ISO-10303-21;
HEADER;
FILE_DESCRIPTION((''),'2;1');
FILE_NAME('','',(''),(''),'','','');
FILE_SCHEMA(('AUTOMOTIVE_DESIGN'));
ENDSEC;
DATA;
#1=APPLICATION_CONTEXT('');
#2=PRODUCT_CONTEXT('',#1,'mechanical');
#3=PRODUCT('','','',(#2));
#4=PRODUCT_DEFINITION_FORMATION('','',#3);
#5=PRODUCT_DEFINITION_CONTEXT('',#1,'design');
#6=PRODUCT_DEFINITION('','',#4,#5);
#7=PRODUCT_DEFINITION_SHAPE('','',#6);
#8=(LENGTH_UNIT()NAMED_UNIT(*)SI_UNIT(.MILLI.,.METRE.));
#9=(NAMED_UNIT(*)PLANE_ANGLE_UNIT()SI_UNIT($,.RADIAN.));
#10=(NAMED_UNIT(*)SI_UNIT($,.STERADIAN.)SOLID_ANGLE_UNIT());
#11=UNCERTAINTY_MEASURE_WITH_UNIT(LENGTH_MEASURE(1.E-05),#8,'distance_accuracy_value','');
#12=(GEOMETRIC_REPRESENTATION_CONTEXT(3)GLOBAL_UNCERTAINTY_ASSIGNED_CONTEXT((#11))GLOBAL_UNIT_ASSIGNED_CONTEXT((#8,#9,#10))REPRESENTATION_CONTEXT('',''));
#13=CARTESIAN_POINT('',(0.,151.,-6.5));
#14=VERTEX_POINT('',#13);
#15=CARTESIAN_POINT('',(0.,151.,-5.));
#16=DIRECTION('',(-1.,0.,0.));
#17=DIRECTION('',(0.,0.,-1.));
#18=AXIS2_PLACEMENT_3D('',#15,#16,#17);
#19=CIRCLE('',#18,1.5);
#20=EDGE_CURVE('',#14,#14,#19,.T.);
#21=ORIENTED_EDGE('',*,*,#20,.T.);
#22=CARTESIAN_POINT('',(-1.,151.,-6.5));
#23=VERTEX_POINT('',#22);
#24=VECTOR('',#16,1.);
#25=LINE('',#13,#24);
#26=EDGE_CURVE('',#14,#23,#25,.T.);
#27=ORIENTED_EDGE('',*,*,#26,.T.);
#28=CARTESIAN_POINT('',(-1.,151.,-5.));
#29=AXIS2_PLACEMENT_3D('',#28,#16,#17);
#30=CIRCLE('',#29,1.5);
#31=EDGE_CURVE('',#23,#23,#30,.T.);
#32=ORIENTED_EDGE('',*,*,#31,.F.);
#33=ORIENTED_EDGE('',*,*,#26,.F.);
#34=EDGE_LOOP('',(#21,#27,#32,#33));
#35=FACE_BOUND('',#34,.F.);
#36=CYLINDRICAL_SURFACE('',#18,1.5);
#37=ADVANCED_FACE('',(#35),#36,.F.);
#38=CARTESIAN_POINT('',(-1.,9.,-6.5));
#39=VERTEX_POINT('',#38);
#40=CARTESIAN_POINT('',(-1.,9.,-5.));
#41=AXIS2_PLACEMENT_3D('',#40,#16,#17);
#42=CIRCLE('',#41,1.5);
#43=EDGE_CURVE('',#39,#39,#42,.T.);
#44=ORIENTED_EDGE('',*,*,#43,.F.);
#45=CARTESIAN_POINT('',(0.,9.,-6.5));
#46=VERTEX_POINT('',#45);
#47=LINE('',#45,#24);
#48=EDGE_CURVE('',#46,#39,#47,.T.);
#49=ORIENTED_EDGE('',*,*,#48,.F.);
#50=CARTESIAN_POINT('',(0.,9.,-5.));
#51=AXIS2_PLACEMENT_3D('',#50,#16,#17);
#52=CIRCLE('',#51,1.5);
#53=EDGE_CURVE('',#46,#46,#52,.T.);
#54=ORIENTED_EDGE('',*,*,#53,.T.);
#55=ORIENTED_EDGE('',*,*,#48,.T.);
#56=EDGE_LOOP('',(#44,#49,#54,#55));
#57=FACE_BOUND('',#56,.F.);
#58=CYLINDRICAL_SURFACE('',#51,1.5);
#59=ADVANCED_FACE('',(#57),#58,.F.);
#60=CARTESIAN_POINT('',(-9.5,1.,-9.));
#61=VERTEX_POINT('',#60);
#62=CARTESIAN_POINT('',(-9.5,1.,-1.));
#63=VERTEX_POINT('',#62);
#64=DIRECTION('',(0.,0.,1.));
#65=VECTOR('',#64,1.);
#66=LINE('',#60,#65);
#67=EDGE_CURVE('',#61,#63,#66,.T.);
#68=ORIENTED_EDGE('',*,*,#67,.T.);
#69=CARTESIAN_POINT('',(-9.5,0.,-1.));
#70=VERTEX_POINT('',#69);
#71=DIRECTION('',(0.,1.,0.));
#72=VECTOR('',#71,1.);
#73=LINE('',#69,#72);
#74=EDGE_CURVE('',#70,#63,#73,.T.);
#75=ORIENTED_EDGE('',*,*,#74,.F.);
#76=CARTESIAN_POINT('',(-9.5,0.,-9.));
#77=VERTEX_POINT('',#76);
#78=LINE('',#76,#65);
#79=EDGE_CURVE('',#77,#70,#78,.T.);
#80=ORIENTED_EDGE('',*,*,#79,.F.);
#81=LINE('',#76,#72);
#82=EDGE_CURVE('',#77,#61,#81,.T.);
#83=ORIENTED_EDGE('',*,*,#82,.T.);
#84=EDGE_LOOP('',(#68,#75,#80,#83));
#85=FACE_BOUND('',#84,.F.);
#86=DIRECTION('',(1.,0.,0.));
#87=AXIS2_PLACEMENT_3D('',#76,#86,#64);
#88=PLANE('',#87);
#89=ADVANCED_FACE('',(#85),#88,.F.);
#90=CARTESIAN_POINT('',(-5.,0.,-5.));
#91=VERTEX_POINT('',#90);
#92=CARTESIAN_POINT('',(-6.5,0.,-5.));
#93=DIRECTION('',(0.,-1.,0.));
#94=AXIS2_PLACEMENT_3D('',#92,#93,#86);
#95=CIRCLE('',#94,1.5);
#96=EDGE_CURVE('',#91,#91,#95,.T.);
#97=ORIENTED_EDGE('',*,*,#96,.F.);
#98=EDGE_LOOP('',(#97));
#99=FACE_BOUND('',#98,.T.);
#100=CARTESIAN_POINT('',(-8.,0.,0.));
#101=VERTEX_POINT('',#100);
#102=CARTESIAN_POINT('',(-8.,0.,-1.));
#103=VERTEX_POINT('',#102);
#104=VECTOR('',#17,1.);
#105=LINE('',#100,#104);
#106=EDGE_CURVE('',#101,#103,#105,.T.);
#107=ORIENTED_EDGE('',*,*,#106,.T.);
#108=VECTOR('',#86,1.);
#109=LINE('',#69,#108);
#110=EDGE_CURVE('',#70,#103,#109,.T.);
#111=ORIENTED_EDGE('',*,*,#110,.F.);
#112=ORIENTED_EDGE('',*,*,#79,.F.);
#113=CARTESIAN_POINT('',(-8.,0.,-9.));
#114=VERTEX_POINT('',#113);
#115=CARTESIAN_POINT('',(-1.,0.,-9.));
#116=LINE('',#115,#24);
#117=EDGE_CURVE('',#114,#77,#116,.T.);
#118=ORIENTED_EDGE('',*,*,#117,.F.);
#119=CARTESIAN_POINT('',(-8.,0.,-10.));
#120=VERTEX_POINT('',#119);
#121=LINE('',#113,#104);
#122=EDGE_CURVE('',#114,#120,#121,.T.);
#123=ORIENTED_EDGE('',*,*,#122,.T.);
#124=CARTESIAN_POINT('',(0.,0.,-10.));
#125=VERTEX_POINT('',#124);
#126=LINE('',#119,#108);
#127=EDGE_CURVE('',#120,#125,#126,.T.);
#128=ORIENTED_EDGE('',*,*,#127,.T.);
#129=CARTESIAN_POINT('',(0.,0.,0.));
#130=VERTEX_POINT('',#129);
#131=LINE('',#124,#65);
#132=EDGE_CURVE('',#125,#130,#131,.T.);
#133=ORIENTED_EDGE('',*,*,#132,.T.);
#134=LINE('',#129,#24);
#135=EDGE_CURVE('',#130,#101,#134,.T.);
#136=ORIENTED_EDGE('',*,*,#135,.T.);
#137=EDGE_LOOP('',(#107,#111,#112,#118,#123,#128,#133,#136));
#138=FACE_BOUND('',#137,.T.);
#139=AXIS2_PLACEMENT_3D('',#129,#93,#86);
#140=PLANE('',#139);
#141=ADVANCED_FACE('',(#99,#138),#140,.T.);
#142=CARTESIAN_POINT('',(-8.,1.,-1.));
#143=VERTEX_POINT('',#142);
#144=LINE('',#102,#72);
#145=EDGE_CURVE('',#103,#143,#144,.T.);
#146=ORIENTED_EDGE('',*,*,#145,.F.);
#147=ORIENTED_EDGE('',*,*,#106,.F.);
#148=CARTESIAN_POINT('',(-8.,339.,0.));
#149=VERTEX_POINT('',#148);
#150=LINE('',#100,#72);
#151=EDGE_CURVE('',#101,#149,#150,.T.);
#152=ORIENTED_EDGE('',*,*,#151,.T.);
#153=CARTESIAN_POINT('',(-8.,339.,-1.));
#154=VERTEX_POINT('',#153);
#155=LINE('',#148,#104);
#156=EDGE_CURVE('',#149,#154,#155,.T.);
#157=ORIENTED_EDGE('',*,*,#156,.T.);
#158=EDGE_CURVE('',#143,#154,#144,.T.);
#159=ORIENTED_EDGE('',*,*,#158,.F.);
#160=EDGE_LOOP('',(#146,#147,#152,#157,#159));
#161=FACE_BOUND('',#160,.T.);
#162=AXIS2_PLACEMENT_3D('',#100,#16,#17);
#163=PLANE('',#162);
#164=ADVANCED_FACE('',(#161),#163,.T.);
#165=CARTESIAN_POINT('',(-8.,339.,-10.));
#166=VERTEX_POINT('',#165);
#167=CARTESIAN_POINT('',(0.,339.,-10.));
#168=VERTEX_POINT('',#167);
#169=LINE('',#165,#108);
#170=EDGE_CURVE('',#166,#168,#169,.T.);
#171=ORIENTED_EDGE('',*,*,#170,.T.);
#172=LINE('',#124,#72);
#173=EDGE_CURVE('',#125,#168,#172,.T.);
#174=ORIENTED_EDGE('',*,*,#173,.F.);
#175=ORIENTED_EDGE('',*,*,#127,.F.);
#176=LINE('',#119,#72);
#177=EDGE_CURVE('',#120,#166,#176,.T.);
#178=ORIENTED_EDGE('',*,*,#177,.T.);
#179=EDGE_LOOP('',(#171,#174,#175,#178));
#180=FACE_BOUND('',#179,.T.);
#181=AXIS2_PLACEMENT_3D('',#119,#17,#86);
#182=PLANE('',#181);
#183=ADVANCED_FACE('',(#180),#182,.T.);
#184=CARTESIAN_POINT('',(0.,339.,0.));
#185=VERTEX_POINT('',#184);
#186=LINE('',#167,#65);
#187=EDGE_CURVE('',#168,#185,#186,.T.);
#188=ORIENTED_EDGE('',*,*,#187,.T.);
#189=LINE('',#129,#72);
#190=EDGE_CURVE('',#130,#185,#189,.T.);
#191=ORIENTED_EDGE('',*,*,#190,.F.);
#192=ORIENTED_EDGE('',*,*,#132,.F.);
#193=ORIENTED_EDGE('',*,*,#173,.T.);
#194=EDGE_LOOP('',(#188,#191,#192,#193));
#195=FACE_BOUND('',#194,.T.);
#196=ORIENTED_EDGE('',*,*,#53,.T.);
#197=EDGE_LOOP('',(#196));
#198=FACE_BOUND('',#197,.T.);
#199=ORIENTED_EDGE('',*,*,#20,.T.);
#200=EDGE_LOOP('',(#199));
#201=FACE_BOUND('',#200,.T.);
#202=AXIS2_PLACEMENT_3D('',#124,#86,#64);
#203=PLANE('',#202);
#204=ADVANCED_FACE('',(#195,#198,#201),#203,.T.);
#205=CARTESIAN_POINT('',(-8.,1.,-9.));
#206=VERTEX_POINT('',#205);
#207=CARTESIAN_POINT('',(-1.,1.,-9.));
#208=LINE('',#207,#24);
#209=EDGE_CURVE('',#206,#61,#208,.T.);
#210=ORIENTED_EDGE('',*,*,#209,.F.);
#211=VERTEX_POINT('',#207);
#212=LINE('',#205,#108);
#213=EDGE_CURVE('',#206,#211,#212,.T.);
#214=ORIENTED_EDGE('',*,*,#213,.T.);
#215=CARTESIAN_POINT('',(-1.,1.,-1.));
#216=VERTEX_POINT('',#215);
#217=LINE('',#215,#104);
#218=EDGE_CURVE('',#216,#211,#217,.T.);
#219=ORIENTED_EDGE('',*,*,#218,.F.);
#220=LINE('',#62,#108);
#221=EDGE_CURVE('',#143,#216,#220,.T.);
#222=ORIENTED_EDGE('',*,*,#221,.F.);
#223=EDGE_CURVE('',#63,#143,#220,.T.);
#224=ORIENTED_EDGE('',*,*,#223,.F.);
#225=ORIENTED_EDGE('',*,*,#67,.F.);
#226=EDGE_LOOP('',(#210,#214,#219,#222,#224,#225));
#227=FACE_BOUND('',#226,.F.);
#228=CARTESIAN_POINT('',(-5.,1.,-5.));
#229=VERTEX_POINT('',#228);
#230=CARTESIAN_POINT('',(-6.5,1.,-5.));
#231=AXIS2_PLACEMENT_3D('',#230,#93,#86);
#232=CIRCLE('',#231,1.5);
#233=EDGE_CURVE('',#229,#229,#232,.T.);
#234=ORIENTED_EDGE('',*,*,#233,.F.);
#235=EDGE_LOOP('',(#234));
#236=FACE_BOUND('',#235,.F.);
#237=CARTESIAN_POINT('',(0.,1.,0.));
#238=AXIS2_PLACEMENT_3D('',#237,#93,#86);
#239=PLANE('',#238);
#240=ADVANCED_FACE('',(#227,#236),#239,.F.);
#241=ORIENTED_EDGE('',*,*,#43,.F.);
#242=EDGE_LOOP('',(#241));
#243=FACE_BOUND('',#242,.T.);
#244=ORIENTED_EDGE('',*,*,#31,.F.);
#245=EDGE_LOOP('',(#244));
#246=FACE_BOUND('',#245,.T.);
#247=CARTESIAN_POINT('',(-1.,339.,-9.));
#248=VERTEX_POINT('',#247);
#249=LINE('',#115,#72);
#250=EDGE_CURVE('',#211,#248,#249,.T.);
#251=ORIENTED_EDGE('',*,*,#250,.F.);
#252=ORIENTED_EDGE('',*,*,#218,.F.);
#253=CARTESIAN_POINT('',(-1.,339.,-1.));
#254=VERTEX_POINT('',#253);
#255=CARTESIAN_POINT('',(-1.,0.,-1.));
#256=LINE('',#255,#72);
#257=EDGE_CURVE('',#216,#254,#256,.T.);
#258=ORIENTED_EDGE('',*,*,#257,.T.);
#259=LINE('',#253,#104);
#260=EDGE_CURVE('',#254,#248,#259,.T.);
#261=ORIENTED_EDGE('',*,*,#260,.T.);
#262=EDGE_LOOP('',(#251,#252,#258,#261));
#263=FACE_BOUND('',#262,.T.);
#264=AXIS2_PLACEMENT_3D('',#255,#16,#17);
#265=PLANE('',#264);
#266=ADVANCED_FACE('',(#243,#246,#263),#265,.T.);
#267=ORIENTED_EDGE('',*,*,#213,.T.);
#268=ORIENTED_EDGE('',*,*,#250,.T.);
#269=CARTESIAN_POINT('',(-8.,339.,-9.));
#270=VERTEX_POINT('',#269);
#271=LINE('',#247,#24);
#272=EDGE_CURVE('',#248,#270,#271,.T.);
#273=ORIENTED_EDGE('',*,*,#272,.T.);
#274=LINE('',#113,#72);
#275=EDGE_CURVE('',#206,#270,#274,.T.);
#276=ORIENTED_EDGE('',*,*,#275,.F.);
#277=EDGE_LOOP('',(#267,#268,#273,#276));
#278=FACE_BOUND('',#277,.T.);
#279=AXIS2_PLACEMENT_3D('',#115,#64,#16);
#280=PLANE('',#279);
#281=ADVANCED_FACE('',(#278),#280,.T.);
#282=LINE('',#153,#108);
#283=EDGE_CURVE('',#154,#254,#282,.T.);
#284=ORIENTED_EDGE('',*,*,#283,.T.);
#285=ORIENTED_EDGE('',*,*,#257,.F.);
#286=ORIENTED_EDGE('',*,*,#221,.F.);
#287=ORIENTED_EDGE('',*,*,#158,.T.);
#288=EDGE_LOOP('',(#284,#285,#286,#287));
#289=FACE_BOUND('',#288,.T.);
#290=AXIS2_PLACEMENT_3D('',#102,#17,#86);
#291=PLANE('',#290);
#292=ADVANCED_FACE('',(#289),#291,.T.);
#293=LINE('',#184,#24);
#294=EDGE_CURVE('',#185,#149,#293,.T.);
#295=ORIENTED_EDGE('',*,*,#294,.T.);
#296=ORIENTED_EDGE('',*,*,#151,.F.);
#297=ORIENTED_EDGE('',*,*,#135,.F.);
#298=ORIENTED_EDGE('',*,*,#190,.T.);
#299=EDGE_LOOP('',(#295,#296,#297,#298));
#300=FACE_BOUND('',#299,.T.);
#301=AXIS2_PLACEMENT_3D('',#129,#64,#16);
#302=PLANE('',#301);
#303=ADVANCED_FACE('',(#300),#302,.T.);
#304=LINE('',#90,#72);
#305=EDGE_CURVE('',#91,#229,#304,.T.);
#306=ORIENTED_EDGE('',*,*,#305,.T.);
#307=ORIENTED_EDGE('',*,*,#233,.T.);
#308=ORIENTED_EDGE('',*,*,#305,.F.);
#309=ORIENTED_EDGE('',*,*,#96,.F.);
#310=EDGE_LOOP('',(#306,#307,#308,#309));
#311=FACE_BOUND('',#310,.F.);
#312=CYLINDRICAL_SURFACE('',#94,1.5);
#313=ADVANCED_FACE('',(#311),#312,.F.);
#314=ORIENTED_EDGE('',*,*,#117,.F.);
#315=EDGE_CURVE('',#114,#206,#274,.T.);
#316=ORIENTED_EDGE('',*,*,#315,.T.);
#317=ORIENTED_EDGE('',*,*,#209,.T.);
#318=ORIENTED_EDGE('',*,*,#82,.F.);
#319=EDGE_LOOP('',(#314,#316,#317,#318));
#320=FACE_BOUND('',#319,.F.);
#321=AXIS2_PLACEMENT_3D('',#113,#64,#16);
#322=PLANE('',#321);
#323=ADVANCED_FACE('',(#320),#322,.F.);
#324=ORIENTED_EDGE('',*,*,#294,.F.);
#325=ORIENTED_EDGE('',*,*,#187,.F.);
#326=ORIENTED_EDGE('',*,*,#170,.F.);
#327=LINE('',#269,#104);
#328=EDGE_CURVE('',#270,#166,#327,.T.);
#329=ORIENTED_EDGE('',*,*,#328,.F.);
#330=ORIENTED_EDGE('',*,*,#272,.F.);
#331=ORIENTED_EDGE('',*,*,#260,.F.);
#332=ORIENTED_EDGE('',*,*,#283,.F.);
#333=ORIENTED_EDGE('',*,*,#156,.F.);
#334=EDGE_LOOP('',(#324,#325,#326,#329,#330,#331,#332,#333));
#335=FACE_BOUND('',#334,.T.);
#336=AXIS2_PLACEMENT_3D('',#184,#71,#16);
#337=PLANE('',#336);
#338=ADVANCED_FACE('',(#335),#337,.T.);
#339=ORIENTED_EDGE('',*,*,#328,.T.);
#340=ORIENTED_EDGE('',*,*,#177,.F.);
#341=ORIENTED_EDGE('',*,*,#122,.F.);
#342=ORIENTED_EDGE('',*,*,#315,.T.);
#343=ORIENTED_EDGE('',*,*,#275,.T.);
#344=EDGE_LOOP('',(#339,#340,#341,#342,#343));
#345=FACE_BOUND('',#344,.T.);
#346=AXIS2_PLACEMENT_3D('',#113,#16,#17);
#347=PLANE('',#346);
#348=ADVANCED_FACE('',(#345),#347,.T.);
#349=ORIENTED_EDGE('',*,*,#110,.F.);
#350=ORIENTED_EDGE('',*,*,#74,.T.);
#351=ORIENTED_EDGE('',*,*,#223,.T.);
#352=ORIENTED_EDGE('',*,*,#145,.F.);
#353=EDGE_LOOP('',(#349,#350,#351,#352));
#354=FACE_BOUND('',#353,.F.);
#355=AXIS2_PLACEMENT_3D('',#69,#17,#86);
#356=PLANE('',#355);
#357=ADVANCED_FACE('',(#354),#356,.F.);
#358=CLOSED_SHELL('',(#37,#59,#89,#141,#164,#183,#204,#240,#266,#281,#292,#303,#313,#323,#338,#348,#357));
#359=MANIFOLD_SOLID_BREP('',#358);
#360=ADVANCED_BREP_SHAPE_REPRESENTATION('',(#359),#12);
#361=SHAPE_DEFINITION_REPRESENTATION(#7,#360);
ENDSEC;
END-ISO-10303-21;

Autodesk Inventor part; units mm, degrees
ref_plane "YZ Plane" through (0, 0, 0) normal (1, 0, 0) x (0, 1, 0)
ref_plane "XZ Plane" through (0, 0, 0) normal (0, 1, 0) x (-1, 0, 0)
ref_plane "XY Plane" through (0, 0, 0) normal (0, 0, 1) x (1, 0, 0)
sketch "Sketch1" plane through (0, 0, 0) normal (0, 1, 0) x (-1, 0, 0)
  line L0 (0, 0) -> (8, 0)
  line L1 (8, -10) -> (0, -10)
  line L2 (0, -10) -> (0, 0)
  line L3 (8, -1) -> (1, -1)
  line L4 (1, -1) -> (1, -9)
  line L5 (1, -9) -> (8, -9)
  line L6 (8, 0) -> (8, -1)
  line L7 (8, -9) -> (8, -10)
  dimension "d0" = 1
  dimension "d1" = 1
  dimension "d2" = 1
  dimension "d3" = 10
  dimension "d4" = 8
extrude "Extrusion1" add sketch "Sketch1" along normal blind 339
sketch "Sketch2" plane through (0, 0, 0) normal (1, 0, 0) x (0, 0, -1)
  line L0 (0, 0) -> (10, 0) projected
  line L1 (0, 0) -> (0, 339) projected
  point P0 (5, 9)
  dimension "d7" = 9
  dimension "d8" = 5
hole "Hole1" at (0, 9, -5) direction (-1, 0, 0) diameter 3 depth 8 tip angle 118
sketch "Sketch3" plane through (0, 0, 0) normal (1, 0, 0) x (0, 0, -1)
  line L0 (0, 0) -> (0, 339) projected
  line L1 (0, 339) -> (10, 339) projected
  point P0 (5, 206.5)
  point P1 (5, 339)
  dimension "d16" = 5
  dimension "d17" = 132.5
hole "Hole2" [suppressed]
sketch "Sketch5" plane through (0, 0, 0) normal (1, 0, 0) x (0, 0, -1)
  line L0 (0, 0) -> (0, 339) projected
  circle A0 centre (5, 9) radius 1.5 projected
  point P0 (5, 151)
  dimension "d25" = 5
  dimension "d26" = 142
hole "Hole3" at (0, 151, -5) direction (-1, 0, 0) diameter 3 depth 8 tip angle 118
sketch "Sketch11" plane through (0, 0, 0) normal (0, -1, 0) x (1, 0, 0)
  circle A0 centre (-6.5, -5) radius 1.5
  line L0 (-8, -10) -> (-8, -9) projected
  line L1 (0, -10) -> (-8, -10) projected
  line L2 (-8, -9) -> (-1, -9) projected
  line L3 (-1, -9) -> (-9.5, -9)
  line L4 (-9.5, -9) -> (-9.5, -1)
  line L5 (-9.5, -1) -> (-1, -1)
  line L6 (-1, -1) -> (-1, -9)
  point P0 (0, 0)
  point P1 (-8, -9.5)
  dimension "d63" = 3
  dimension "d64" = 1.5
  dimension "d65" = 5
  dimension "d66" = 3
extrude "Extrusion3" add sketch "Sketch11" against normal blind 1
properties part number "Stringer" material "Aluminum"
